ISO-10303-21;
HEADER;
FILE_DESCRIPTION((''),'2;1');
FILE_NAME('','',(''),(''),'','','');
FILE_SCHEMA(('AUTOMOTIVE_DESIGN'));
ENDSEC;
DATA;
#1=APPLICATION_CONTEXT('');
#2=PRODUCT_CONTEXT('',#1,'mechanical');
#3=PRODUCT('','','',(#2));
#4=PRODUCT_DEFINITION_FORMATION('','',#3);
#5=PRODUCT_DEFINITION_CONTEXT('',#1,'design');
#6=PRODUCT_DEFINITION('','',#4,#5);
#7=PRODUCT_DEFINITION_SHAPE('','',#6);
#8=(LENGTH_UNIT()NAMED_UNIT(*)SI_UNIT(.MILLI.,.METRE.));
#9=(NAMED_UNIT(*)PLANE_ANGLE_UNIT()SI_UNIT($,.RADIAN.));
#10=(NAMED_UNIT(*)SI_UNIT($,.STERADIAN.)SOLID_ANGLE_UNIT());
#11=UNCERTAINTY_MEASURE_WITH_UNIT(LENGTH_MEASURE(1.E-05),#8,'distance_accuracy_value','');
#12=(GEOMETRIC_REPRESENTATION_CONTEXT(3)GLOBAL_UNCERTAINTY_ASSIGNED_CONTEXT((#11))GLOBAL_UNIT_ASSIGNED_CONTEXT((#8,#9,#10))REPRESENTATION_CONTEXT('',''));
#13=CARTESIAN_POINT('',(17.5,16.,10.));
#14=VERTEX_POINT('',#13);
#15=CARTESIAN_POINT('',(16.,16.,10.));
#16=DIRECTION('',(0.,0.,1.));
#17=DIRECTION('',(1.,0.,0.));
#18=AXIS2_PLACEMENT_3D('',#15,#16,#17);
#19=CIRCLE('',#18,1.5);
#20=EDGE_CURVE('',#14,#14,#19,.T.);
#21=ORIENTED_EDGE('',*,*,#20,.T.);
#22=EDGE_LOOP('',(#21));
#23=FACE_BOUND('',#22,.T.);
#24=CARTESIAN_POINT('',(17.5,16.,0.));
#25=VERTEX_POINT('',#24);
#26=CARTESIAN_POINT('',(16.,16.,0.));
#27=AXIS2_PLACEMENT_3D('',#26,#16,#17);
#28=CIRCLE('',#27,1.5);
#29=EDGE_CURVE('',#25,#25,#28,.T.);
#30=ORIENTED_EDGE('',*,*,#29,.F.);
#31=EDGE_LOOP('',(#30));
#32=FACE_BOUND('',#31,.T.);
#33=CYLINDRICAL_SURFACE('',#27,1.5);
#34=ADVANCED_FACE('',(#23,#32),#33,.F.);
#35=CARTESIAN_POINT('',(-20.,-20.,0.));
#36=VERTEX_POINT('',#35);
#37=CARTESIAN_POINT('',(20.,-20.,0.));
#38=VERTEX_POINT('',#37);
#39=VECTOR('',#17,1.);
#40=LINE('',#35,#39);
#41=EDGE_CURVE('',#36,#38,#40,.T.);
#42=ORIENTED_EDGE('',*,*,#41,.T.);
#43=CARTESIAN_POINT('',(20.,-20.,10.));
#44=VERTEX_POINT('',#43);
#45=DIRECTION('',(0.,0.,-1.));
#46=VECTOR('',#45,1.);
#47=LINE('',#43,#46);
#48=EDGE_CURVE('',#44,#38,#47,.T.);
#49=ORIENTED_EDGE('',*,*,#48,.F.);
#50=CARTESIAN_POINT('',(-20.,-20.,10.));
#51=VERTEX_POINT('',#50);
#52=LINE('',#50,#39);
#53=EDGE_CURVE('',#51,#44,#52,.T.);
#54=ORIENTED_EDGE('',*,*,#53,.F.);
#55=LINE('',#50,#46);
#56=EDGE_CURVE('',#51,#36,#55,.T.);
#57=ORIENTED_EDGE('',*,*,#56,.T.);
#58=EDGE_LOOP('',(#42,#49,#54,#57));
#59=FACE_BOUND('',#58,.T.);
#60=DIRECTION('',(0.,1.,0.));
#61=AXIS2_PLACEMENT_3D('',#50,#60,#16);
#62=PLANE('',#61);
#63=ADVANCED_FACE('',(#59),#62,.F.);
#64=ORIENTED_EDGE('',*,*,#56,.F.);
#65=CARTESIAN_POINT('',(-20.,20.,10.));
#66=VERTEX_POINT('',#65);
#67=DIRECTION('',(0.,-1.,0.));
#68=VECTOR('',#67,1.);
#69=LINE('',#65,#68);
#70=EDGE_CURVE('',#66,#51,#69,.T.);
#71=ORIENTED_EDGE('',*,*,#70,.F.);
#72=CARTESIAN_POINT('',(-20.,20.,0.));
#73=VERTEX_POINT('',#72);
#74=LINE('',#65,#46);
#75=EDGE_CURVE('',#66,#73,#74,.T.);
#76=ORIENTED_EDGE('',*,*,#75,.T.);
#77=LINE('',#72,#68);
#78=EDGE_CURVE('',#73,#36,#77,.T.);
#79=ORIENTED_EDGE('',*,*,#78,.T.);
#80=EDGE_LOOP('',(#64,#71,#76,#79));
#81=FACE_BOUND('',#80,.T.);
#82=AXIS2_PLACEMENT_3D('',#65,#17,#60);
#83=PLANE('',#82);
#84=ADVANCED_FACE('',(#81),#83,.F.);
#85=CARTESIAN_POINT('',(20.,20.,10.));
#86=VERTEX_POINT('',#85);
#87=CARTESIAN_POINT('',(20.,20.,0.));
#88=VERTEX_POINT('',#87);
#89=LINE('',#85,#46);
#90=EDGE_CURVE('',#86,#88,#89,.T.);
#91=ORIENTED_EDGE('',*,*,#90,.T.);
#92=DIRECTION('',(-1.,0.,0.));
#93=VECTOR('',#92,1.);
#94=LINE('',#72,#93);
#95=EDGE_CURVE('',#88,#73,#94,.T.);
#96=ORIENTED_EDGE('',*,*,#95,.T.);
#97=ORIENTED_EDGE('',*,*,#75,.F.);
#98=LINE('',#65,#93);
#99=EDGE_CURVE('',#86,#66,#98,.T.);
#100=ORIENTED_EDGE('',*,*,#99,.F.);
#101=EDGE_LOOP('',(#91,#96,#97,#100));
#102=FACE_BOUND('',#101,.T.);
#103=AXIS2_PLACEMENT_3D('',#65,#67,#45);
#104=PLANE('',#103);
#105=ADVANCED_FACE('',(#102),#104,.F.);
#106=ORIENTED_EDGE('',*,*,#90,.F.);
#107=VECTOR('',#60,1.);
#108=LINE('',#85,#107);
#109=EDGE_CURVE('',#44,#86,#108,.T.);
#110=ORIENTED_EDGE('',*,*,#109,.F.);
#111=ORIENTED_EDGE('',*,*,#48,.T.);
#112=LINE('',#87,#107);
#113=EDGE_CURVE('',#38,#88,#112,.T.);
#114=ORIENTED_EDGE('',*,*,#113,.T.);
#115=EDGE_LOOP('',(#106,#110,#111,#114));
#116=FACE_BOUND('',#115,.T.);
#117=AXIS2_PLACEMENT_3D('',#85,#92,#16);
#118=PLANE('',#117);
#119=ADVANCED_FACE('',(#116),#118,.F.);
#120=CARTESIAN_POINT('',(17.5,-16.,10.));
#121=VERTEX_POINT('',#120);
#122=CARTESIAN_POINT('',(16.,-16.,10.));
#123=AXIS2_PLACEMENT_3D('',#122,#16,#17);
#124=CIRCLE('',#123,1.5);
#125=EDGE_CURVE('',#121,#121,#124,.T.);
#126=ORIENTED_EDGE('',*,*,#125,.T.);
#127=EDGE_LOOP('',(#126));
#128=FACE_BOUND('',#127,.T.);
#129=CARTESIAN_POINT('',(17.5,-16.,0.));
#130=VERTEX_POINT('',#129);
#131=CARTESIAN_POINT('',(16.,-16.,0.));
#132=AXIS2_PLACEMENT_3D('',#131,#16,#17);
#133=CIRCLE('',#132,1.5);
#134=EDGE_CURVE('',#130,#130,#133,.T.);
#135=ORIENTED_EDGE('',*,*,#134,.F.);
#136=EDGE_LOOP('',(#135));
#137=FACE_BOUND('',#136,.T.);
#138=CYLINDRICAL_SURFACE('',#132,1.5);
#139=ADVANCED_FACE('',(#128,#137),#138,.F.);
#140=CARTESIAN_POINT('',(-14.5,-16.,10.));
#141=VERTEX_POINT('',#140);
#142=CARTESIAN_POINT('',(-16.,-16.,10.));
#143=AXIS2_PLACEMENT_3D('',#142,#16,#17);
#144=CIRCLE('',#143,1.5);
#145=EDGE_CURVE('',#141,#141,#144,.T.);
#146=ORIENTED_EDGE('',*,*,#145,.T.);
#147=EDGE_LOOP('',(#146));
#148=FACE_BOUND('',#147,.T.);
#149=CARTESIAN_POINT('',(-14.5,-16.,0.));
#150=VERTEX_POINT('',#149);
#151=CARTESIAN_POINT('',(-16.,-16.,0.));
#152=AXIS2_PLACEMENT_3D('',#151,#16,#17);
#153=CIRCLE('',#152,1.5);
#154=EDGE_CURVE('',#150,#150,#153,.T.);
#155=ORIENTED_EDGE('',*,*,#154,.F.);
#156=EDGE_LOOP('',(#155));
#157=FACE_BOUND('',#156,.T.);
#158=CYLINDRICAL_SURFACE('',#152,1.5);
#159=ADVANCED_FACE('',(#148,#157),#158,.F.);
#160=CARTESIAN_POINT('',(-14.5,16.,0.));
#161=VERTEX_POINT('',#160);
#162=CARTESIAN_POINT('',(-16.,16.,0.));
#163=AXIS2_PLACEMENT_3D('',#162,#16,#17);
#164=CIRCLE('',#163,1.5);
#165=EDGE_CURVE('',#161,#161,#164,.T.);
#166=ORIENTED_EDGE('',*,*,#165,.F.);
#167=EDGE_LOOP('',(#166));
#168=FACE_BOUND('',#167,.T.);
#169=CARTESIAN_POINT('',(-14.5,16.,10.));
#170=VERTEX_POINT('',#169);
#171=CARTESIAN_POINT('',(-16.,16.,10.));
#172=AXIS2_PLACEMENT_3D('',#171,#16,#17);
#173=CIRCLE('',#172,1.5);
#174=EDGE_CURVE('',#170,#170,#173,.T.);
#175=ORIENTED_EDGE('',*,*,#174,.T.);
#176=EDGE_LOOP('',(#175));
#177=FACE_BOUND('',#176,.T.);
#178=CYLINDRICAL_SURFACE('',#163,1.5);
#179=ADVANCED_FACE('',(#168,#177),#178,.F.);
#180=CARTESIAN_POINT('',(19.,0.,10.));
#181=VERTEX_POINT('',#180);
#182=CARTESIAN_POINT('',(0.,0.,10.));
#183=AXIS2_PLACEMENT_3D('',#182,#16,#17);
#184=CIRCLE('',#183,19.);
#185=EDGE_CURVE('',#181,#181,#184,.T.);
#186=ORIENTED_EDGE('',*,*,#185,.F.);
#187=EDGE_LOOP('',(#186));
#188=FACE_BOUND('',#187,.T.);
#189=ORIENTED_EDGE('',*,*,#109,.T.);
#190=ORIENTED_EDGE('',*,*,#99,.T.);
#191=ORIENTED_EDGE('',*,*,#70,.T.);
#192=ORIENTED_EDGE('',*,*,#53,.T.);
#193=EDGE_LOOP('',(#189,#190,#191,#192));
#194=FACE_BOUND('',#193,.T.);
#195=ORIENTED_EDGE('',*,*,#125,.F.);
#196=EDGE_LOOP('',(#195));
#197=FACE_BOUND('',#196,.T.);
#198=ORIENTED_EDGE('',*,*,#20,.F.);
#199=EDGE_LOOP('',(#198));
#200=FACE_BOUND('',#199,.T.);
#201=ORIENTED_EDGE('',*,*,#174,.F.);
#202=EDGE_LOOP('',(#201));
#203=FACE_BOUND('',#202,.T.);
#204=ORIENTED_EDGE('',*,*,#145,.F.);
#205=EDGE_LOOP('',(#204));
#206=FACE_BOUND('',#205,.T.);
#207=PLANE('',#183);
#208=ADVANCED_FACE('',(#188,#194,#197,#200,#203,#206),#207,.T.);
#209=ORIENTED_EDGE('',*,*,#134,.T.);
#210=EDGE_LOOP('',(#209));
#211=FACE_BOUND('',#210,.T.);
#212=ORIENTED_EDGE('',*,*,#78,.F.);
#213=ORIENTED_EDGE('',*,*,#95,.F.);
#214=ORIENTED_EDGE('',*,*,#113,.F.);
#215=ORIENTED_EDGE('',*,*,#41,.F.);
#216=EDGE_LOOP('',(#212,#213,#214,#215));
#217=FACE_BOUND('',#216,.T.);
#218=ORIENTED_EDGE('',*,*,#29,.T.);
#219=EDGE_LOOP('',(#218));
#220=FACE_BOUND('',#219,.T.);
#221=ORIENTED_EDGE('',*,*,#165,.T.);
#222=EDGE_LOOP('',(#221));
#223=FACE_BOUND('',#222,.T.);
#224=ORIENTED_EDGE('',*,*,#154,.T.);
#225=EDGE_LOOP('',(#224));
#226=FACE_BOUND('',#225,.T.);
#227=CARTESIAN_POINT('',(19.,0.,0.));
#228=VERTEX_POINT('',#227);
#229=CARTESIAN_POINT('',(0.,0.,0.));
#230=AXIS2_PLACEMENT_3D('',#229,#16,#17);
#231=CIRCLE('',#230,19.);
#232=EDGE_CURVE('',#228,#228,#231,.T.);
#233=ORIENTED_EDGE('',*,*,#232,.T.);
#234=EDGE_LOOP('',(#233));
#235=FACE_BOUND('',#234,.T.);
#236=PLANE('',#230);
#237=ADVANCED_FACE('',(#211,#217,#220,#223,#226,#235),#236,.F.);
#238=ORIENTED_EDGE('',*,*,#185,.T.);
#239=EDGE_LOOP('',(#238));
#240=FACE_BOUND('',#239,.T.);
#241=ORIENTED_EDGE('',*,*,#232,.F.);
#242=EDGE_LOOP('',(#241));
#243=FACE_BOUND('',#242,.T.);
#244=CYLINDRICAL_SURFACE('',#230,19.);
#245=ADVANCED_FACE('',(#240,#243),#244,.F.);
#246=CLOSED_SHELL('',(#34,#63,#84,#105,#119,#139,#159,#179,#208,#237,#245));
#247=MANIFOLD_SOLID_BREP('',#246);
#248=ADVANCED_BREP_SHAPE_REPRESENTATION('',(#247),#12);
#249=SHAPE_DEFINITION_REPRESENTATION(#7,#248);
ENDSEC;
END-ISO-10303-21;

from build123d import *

# Parameters (mm, degrees)
SKETCH_1_W          = 40
SKETCH_1_H          = 40
EXTRUDE_1_DEPTH     = 10
SKETCH_2_R          = 19
CUT_EXTRUDE_1_DEPTH = 31
SKETCH_3_R          = 1.5
CUT_EXTRUDE_2_DEPTH = 31


with BuildPart() as part:
    # 草圖1 → 填料-伸長1 (new body)
    with BuildSketch(Plane.XY):
        Rectangle(SKETCH_1_W, SKETCH_1_H)
    extrude(amount=EXTRUDE_1_DEPTH)

    # 草圖2 → 除料-伸長1 (cut, through all)
    with BuildSketch(Plane.XY.offset(10)):
        Circle(SKETCH_2_R)
    extrude(amount=-CUT_EXTRUDE_1_DEPTH, mode=Mode.SUBTRACT)

    # 草圖3 → 除料-伸長2 (cut, through all)
    with BuildSketch(Plane.XY.offset(10)):
        with Locations((-16, 16)):
            Circle(SKETCH_3_R)
        with Locations((-16, -16)):
            Circle(SKETCH_3_R)
        with Locations((16, -16)):
            Circle(SKETCH_3_R)
        with Locations((16, 16)):
            Circle(SKETCH_3_R)
    extrude(amount=-CUT_EXTRUDE_2_DEPTH, mode=Mode.SUBTRACT)


solid = part.part
